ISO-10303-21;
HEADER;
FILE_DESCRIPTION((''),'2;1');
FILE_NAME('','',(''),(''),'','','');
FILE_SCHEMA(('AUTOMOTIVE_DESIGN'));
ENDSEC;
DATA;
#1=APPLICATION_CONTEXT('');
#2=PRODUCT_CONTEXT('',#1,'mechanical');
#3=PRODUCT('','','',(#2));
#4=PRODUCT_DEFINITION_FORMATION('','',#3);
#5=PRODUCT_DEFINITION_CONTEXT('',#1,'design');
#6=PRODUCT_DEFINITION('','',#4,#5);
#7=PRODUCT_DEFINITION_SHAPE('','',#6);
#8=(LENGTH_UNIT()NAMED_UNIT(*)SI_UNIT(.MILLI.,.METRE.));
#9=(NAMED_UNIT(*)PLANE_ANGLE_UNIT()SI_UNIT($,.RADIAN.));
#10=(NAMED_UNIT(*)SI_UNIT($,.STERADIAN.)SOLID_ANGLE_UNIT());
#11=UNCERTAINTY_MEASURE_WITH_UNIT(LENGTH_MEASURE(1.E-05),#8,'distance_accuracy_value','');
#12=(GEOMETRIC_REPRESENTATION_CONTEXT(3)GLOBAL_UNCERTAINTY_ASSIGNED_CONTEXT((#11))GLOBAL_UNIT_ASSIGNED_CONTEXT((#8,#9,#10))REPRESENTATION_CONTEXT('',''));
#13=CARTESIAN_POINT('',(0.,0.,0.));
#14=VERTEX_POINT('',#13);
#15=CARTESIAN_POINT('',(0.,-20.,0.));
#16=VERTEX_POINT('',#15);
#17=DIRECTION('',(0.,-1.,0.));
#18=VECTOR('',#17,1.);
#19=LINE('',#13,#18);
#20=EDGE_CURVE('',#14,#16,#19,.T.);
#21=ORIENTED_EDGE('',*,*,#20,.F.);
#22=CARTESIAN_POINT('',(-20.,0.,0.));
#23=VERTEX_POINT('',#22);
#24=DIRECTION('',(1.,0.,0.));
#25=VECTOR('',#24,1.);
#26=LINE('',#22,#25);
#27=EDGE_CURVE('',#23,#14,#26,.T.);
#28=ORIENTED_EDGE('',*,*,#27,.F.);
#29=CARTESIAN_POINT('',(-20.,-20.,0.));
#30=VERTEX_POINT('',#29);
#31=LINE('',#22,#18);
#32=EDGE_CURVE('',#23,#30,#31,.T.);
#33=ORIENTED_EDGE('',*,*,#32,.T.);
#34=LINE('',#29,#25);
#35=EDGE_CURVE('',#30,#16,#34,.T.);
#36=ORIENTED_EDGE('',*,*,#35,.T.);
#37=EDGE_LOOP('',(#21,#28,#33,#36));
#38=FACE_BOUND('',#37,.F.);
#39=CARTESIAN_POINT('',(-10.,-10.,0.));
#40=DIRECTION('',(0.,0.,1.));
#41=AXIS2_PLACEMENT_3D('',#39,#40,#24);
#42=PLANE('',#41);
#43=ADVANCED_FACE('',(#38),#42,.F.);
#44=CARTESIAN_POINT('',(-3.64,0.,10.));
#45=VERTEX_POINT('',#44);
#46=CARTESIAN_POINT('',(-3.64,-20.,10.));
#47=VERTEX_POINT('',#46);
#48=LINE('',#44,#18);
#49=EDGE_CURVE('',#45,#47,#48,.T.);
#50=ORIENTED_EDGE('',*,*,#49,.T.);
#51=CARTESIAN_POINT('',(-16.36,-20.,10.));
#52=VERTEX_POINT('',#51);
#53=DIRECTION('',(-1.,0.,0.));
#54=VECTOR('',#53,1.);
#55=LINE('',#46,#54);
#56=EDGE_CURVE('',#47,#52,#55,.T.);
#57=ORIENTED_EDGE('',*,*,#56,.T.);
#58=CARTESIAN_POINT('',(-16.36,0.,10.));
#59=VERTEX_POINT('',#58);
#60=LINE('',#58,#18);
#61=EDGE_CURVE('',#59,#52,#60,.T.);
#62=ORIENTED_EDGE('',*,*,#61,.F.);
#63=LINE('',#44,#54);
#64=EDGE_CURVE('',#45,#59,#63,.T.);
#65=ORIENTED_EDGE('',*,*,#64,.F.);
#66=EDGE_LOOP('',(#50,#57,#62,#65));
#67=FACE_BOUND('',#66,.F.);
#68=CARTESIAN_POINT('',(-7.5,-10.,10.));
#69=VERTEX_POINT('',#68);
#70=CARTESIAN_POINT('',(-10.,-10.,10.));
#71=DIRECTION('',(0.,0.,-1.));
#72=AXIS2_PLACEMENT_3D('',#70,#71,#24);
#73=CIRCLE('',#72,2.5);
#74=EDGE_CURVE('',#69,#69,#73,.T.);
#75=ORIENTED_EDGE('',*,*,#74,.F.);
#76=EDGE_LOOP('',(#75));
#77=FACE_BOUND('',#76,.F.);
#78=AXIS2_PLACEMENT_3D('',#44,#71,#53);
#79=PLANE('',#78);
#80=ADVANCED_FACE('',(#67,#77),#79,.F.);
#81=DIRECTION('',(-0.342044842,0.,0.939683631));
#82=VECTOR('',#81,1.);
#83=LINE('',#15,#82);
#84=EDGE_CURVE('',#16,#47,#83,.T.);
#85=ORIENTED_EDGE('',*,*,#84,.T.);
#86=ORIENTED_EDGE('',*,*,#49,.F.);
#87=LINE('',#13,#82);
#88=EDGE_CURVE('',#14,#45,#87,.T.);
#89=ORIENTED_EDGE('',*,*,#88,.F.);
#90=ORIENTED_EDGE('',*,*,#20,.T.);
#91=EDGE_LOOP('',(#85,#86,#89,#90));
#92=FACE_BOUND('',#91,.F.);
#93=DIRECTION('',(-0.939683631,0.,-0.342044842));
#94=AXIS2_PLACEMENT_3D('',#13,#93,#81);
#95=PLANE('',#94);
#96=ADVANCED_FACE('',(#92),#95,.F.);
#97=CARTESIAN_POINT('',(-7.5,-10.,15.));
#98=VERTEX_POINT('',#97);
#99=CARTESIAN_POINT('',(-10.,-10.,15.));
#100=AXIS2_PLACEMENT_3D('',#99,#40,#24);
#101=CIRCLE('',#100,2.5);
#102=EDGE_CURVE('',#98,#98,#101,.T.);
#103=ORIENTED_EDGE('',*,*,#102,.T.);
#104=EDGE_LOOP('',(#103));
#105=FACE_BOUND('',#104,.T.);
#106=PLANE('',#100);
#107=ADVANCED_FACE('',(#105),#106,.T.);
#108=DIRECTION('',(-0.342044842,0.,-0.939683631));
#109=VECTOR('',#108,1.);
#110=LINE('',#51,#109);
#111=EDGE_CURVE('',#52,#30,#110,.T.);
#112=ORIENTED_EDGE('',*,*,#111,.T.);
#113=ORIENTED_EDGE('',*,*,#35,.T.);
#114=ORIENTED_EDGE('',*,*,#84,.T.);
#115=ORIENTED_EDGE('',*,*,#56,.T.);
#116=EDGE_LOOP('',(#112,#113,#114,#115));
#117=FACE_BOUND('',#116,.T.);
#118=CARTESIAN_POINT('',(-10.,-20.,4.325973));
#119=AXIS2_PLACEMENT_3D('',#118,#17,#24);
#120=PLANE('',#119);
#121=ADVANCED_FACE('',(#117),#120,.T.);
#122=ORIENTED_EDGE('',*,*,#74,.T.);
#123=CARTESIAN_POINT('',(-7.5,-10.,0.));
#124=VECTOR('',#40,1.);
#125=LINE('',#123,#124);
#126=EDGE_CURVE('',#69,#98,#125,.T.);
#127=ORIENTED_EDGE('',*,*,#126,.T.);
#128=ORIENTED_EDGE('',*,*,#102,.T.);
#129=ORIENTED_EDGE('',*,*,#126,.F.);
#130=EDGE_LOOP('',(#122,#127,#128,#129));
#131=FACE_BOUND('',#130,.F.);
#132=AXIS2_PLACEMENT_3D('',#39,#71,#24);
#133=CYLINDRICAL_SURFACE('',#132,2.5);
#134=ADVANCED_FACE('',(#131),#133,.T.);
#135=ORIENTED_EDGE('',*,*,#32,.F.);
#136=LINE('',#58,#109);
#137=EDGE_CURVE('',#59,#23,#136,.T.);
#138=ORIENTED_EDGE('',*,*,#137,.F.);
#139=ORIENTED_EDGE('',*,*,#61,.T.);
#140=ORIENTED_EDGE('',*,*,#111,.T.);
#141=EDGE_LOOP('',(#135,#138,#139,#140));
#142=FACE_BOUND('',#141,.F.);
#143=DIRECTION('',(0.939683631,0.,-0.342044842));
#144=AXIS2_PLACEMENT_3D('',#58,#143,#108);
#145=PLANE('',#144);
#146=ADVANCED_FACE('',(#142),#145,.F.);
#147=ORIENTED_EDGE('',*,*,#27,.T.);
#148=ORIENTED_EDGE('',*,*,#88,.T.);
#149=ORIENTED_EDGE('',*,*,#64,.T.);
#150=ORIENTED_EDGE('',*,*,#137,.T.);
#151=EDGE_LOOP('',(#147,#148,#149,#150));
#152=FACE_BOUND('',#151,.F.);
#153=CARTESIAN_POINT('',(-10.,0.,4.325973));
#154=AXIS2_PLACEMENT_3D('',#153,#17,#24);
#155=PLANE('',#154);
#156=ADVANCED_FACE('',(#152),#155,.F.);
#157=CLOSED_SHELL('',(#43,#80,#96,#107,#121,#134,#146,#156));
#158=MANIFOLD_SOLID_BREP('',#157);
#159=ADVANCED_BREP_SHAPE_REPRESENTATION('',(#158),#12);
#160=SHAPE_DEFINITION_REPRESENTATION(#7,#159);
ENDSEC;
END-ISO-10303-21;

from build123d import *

# Parameters (mm, degrees)
F1_DEPTH = 20
F2_R     = 2.5
F3_DEPTH = 15


with BuildPart() as f1:
    # F0 (on Front) → F1 (new body)
    with BuildSketch(Plane.XZ):
        Polygon((-20, 0), (0, 0), (-3.64, 10), (-16.36, 10), align=None)
    extrude(amount=F1_DEPTH)

    # F2 (on Top) → F3 (join)
    with BuildSketch(Plane.XY):
        with Locations((-10, -10)):
            Circle(F2_R)
    extrude(amount=F3_DEPTH)


solid = f1.part
